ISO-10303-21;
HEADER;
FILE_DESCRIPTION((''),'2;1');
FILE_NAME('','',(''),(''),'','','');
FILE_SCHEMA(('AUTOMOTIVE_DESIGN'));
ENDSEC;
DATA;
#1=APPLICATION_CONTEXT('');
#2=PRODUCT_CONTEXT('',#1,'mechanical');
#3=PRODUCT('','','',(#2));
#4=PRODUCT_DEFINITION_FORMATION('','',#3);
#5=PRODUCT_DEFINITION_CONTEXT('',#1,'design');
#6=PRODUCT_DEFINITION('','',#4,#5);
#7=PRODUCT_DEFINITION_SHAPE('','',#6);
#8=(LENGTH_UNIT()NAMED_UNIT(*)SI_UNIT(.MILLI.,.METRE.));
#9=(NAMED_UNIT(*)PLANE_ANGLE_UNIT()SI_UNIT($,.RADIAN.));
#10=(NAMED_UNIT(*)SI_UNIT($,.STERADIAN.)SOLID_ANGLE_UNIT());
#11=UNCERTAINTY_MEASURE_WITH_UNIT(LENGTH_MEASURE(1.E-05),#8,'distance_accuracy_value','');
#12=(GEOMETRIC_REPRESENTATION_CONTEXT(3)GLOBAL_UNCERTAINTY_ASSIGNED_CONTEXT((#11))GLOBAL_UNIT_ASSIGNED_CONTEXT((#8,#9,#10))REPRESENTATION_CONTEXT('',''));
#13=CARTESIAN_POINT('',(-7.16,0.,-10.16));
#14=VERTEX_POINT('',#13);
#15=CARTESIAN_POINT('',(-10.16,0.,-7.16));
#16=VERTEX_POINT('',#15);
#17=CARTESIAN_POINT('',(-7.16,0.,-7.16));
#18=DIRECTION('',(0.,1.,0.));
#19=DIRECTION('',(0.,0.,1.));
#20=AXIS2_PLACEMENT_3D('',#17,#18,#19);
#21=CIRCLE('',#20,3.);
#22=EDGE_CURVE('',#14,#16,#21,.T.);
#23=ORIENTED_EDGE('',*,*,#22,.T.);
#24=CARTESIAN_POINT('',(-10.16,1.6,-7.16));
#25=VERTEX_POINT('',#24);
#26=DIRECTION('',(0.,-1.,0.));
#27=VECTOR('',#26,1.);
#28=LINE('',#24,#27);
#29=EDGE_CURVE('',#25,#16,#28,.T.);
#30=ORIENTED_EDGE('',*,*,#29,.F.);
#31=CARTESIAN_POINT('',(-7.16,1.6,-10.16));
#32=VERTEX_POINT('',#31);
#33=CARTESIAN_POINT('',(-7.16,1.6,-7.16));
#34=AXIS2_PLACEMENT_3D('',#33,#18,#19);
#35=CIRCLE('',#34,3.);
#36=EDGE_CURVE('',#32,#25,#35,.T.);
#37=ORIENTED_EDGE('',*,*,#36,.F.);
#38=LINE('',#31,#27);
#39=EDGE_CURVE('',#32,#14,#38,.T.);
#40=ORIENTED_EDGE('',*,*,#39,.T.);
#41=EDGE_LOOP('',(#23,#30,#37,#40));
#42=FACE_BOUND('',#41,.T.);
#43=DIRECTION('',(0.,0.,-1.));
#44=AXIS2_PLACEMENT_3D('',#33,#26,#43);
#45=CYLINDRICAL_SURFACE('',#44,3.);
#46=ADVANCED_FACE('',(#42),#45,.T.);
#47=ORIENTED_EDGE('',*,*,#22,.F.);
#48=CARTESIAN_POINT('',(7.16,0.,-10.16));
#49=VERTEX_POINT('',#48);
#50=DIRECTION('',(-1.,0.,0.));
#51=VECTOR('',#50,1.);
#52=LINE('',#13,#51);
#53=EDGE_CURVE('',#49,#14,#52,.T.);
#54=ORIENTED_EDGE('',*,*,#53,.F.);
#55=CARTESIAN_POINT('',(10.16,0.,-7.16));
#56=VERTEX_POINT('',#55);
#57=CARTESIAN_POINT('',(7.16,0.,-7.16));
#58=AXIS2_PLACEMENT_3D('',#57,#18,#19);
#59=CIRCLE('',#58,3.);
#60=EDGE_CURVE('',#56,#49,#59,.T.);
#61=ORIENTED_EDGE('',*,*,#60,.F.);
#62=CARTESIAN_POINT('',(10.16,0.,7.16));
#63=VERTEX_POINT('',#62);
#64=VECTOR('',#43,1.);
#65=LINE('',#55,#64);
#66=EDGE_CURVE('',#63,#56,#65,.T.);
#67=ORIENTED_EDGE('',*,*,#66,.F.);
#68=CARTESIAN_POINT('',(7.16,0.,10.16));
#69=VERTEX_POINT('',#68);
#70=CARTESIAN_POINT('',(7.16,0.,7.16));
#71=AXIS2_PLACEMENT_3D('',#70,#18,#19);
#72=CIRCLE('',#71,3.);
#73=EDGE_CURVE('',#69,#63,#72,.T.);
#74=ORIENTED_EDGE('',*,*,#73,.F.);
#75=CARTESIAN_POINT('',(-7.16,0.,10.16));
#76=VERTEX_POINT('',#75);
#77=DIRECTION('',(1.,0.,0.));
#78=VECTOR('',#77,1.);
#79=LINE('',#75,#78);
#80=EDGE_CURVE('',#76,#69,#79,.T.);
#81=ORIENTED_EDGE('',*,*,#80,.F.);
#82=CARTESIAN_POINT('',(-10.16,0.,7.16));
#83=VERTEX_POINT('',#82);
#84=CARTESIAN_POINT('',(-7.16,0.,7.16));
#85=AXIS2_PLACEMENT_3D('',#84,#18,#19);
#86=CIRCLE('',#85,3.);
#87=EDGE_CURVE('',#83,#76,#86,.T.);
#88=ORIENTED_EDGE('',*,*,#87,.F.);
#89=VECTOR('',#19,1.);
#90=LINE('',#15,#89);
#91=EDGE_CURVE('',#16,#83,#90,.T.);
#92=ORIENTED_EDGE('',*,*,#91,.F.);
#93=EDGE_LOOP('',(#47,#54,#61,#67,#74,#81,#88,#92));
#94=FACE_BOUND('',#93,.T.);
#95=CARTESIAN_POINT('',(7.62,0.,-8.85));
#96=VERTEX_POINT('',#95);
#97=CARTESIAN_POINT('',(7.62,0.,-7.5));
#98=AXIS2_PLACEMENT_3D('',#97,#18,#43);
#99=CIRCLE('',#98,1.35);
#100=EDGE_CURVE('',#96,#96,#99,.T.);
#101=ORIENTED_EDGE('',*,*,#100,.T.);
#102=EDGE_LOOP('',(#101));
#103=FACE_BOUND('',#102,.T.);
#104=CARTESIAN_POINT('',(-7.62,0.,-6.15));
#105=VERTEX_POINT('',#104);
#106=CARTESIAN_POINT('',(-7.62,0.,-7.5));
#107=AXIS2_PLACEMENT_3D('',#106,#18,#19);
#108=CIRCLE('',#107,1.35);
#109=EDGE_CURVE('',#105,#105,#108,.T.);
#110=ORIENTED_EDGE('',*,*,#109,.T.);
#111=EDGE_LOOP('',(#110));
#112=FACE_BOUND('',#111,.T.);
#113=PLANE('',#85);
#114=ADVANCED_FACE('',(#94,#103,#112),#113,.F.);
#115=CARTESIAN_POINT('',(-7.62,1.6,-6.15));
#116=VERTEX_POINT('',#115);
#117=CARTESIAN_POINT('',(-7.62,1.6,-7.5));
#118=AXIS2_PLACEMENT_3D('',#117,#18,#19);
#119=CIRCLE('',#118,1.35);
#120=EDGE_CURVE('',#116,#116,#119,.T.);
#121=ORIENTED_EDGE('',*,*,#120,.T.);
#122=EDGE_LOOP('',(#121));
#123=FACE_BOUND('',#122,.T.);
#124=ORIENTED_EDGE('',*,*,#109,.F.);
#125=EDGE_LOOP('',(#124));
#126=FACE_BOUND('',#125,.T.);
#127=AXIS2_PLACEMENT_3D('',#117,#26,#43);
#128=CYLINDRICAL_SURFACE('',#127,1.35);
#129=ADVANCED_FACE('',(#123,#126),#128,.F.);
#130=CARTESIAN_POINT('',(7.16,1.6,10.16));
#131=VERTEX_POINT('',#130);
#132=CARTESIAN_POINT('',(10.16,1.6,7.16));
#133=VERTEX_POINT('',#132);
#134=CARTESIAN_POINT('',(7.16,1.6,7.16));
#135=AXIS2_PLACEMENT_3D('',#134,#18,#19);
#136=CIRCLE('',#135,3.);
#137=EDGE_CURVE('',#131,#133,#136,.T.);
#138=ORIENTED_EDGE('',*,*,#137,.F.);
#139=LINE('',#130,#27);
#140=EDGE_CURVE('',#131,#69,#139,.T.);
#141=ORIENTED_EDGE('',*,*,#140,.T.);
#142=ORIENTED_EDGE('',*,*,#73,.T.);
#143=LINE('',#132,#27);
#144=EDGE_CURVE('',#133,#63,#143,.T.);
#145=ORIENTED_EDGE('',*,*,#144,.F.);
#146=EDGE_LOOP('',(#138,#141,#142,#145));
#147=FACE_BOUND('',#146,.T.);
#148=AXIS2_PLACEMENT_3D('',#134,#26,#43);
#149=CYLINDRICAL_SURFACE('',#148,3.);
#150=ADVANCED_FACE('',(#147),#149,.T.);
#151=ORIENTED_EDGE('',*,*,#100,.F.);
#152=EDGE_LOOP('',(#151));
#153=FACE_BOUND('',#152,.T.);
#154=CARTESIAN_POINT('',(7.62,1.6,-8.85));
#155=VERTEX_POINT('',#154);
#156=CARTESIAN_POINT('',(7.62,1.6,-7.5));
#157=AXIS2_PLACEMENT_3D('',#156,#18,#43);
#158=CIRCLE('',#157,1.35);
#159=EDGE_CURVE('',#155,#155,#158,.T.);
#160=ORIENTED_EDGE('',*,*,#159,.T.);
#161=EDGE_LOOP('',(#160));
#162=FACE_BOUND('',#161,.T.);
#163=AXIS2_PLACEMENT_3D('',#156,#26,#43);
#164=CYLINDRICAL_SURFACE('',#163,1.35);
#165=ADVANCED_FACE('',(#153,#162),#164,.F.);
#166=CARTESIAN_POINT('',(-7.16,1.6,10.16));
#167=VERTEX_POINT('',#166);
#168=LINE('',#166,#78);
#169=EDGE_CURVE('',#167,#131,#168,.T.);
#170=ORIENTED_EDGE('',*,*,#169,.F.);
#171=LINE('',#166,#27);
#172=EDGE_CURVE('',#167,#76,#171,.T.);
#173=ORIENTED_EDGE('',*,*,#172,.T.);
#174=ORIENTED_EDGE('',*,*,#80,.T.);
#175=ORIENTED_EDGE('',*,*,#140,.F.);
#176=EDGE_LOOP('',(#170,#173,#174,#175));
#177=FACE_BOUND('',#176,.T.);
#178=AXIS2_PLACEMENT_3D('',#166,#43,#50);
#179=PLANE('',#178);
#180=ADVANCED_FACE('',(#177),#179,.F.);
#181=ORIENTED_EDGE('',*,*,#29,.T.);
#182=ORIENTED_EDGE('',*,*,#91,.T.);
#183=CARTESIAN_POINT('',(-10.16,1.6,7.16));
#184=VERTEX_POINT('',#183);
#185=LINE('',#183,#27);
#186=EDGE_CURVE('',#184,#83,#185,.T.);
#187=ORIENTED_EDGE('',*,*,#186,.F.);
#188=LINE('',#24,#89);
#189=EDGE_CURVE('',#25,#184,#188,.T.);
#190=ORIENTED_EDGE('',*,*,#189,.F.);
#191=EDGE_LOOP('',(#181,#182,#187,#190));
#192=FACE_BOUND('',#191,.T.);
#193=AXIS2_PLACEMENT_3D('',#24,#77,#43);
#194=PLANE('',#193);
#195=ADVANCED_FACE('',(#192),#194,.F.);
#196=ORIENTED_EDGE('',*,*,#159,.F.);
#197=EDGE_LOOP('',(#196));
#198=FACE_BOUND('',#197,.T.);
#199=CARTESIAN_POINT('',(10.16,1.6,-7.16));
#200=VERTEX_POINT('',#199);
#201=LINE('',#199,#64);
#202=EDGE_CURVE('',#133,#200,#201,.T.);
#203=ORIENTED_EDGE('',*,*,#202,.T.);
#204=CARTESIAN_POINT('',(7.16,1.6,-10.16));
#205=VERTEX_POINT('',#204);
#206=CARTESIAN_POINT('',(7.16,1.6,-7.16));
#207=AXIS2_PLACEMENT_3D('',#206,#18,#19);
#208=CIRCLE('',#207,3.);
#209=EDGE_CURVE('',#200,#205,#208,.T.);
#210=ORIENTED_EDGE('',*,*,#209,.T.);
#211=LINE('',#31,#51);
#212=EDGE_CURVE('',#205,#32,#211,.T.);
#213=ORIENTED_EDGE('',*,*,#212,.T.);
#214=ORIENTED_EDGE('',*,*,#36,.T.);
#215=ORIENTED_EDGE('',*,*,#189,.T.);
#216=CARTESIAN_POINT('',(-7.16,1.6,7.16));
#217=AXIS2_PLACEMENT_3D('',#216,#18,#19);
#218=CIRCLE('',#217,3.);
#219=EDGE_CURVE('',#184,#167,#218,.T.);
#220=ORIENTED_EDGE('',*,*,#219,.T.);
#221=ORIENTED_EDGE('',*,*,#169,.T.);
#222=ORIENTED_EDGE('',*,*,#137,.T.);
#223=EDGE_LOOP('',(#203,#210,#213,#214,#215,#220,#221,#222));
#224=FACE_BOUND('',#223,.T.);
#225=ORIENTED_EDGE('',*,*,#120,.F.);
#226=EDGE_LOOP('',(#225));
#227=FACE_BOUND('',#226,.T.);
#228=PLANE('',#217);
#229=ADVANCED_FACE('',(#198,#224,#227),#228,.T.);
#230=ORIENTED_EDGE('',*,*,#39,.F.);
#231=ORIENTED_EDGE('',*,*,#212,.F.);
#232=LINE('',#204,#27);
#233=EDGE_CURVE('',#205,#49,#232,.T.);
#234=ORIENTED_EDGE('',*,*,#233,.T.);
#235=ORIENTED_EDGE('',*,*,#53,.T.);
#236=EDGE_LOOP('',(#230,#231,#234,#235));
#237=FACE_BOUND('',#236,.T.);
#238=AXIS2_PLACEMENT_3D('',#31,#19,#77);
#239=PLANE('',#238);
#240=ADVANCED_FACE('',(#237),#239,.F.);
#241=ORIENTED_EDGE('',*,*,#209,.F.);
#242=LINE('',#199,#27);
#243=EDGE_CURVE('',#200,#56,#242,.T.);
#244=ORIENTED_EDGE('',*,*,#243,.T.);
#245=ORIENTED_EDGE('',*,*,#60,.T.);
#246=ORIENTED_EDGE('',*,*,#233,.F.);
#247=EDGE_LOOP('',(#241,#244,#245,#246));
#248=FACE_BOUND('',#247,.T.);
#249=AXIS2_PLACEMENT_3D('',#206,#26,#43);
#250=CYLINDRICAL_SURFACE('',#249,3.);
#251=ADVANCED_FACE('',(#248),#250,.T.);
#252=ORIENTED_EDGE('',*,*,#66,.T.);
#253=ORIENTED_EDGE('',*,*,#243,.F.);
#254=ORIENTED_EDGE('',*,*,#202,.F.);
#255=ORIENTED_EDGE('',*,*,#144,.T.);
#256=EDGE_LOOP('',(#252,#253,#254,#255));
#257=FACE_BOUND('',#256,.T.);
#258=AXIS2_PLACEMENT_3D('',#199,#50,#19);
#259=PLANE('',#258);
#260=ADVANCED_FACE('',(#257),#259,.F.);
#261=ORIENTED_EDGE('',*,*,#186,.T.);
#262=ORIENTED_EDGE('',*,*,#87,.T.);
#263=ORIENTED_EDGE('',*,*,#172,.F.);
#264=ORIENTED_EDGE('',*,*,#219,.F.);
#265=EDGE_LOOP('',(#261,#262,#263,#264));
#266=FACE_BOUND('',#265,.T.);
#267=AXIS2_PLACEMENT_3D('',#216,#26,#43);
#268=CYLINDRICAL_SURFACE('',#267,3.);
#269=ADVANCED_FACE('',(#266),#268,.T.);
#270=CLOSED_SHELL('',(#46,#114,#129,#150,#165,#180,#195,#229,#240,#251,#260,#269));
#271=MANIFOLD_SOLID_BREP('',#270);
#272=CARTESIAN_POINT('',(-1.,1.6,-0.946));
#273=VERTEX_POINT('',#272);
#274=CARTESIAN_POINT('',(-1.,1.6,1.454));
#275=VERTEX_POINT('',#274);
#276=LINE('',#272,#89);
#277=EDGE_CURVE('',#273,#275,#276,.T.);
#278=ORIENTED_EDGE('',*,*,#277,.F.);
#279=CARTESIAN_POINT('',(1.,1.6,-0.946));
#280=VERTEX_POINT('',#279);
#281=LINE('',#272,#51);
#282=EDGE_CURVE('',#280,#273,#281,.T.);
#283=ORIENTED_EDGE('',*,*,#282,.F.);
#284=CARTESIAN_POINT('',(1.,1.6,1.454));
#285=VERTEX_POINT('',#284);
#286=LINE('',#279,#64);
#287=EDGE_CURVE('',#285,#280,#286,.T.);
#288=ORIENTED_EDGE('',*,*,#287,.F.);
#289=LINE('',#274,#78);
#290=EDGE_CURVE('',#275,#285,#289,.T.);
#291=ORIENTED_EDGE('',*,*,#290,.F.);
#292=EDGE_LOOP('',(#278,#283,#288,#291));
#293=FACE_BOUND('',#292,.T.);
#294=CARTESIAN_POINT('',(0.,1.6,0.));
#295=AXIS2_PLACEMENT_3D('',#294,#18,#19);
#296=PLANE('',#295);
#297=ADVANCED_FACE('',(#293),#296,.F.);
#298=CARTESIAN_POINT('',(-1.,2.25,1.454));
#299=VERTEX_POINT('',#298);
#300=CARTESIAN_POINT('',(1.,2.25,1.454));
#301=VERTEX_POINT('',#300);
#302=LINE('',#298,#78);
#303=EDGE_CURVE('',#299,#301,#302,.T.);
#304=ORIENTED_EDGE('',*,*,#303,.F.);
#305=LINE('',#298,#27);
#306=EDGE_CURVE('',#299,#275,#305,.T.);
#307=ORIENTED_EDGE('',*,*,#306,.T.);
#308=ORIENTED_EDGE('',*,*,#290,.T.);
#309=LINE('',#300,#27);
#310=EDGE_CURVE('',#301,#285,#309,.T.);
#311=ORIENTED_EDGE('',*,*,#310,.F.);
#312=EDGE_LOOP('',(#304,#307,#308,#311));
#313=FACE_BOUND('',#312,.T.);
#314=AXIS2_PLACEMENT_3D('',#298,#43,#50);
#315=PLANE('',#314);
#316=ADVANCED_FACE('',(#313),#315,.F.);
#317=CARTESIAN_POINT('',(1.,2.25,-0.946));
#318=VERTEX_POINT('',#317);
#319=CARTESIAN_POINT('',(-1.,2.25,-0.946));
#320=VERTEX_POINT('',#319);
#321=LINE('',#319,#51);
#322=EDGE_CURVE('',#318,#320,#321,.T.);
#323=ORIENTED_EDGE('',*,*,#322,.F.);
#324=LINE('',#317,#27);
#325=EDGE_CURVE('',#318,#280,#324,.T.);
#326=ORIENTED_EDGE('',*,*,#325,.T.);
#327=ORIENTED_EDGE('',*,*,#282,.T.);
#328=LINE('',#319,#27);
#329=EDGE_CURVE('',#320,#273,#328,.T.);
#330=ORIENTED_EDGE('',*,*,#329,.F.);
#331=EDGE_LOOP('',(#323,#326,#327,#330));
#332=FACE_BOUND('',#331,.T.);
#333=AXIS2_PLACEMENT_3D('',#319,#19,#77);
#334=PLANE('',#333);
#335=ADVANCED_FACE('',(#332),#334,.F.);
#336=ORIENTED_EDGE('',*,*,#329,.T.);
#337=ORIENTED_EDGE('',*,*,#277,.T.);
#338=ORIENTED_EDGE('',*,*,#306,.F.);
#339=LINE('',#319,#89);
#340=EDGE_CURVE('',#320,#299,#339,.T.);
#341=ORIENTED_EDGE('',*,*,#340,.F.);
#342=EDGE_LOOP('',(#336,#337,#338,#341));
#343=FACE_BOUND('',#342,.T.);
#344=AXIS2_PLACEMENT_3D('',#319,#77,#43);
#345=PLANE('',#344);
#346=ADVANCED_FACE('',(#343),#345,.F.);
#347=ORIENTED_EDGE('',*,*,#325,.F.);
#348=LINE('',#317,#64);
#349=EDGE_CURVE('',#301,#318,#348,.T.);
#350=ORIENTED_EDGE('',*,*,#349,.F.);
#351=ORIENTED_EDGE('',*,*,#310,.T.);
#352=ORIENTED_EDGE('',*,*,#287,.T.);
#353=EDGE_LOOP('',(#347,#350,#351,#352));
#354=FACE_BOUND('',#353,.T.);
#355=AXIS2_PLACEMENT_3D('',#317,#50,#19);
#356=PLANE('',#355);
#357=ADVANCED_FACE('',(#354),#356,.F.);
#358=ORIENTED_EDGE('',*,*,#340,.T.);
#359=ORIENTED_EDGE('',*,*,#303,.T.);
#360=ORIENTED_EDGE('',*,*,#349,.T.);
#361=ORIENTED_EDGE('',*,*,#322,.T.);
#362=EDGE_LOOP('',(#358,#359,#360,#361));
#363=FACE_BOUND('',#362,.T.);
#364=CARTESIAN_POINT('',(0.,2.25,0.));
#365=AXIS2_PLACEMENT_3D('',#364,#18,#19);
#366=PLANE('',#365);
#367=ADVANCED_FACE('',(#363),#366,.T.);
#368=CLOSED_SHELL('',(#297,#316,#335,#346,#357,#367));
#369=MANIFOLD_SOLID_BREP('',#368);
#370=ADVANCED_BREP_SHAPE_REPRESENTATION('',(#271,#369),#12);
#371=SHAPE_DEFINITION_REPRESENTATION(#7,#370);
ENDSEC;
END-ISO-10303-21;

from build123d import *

# Parameters (mm, degrees)
FR4_DEPTH            = 1.6
SKETCH4_R            = 1.35
HOLES_MOUNTING_DEPTH = 15.45721965
SKETCH5_W            = 2
SKETCH5_H            = 2.4
TCS34725_DEPTH       = 0.65


with BuildPart() as part:
    # Sketch2 → FR4 (new body)
    with BuildSketch(Plane(origin=(0, 0, 0), x_dir=(1, 0, 0), z_dir=(0, 1, 0))):
        with BuildLine():
            Line((-7.16, 10.16), (7.16, 10.16))
            ThreePointArc((7.16, 10.16), (9.281320344, 9.281320344), (10.16, 7.16))
            Line((10.16, 7.16), (10.16, -7.16))
            ThreePointArc((10.16, -7.16), (9.281320344, -9.281320344), (7.16, -10.16))
            Line((7.16, -10.16), (-7.16, -10.16))
            ThreePointArc((-7.16, -10.16), (-9.281320344, -9.281320344), (-10.16, -7.16))
            Line((-10.16, -7.16), (-10.16, 7.16))
            ThreePointArc((-10.16, 7.16), (-9.281320344, 9.281320344), (-7.16, 10.16))
        make_face()
    extrude(amount=FR4_DEPTH)

    # Sketch4 → holes-mounting (cut, through all)
    with BuildSketch(Plane(origin=(0, 0, 0), x_dir=(1, 0, 0), z_dir=(0, 1, 0))):
        with Locations(Location((-7.62, 7.5, 0), (0, 0, 270))):
            Circle(SKETCH4_R)
        with Locations(Location((7.62, 7.5, 0), (0, 0, 90))):
            Circle(SKETCH4_R)
    extrude(amount=HOLES_MOUNTING_DEPTH, mode=Mode.SUBTRACT)


with BuildPart() as body_2:
    # Sketch5 → TCS34725 (new body)
    with BuildSketch(Plane(origin=(0, 1.6, 0), x_dir=(1, 0, 0), z_dir=(0, 1, 0))):
        with Locations((0, -0.254)):
            Rectangle(SKETCH5_W, SKETCH5_H)
    extrude(amount=TCS34725_DEPTH)


solid = Compound([part.part, body_2.part])
